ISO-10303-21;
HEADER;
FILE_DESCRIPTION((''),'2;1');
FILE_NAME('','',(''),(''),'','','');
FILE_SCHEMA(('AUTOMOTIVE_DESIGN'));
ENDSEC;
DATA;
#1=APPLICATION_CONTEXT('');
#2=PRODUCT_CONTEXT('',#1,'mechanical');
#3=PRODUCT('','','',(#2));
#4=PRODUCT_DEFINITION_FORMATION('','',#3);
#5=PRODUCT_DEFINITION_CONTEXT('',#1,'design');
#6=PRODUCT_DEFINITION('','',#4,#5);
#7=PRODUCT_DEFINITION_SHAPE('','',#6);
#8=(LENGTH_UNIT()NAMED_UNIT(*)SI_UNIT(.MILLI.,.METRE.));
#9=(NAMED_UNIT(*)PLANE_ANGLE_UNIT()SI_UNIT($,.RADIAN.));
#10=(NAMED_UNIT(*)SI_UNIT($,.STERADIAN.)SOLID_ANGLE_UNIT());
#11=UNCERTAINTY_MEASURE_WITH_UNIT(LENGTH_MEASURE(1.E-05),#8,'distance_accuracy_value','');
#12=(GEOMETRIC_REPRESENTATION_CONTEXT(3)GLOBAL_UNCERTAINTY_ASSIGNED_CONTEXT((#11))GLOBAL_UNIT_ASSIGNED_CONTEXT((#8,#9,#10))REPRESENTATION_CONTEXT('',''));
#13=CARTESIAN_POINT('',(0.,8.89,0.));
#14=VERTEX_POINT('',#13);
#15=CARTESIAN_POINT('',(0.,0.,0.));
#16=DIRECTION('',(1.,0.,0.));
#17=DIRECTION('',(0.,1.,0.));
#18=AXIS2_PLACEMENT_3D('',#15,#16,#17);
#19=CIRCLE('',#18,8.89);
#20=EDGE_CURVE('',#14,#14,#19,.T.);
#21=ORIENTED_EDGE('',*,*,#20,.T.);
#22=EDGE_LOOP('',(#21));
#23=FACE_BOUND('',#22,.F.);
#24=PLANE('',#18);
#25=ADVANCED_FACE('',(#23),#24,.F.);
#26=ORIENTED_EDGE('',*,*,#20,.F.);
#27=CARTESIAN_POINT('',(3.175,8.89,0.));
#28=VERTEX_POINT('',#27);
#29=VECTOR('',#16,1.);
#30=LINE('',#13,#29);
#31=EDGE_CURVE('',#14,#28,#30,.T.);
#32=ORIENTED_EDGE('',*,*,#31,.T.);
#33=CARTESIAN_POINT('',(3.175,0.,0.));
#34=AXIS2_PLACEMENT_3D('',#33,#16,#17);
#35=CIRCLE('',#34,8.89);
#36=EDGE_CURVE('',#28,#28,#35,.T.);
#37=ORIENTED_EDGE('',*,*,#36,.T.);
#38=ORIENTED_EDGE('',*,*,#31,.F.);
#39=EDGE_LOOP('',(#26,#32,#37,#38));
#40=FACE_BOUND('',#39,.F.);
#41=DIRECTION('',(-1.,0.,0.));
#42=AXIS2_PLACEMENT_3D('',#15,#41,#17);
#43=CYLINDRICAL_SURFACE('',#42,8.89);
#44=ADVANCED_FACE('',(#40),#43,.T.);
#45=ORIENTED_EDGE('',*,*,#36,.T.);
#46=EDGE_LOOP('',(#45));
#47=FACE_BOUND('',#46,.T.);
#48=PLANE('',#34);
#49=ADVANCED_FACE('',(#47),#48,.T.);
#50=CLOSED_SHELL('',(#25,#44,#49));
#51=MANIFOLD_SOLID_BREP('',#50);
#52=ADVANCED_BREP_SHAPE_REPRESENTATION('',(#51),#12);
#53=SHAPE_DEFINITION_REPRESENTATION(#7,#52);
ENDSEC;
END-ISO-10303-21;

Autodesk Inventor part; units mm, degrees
ref_plane "YZ Plane" through (0, 0, 0) normal (1, 0, 0) x (0, 1, 0)
ref_plane "XZ Plane" through (0, 0, 0) normal (0, 1, 0) x (-1, 0, 0)
ref_plane "XY Plane" through (0, 0, 0) normal (0, 0, 1) x (1, 0, 0)
sketch "Sketch1" plane through (0, 0, 0) normal (1, 0, 0) x (0, 1, 0)
  circle A0 centre (0, 0) radius 8.89
  dimension "d0" = 17.78
extrude "Extrusion1" add sketch "Sketch1" along normal blind 3.175
properties part number "BumperWheel"
